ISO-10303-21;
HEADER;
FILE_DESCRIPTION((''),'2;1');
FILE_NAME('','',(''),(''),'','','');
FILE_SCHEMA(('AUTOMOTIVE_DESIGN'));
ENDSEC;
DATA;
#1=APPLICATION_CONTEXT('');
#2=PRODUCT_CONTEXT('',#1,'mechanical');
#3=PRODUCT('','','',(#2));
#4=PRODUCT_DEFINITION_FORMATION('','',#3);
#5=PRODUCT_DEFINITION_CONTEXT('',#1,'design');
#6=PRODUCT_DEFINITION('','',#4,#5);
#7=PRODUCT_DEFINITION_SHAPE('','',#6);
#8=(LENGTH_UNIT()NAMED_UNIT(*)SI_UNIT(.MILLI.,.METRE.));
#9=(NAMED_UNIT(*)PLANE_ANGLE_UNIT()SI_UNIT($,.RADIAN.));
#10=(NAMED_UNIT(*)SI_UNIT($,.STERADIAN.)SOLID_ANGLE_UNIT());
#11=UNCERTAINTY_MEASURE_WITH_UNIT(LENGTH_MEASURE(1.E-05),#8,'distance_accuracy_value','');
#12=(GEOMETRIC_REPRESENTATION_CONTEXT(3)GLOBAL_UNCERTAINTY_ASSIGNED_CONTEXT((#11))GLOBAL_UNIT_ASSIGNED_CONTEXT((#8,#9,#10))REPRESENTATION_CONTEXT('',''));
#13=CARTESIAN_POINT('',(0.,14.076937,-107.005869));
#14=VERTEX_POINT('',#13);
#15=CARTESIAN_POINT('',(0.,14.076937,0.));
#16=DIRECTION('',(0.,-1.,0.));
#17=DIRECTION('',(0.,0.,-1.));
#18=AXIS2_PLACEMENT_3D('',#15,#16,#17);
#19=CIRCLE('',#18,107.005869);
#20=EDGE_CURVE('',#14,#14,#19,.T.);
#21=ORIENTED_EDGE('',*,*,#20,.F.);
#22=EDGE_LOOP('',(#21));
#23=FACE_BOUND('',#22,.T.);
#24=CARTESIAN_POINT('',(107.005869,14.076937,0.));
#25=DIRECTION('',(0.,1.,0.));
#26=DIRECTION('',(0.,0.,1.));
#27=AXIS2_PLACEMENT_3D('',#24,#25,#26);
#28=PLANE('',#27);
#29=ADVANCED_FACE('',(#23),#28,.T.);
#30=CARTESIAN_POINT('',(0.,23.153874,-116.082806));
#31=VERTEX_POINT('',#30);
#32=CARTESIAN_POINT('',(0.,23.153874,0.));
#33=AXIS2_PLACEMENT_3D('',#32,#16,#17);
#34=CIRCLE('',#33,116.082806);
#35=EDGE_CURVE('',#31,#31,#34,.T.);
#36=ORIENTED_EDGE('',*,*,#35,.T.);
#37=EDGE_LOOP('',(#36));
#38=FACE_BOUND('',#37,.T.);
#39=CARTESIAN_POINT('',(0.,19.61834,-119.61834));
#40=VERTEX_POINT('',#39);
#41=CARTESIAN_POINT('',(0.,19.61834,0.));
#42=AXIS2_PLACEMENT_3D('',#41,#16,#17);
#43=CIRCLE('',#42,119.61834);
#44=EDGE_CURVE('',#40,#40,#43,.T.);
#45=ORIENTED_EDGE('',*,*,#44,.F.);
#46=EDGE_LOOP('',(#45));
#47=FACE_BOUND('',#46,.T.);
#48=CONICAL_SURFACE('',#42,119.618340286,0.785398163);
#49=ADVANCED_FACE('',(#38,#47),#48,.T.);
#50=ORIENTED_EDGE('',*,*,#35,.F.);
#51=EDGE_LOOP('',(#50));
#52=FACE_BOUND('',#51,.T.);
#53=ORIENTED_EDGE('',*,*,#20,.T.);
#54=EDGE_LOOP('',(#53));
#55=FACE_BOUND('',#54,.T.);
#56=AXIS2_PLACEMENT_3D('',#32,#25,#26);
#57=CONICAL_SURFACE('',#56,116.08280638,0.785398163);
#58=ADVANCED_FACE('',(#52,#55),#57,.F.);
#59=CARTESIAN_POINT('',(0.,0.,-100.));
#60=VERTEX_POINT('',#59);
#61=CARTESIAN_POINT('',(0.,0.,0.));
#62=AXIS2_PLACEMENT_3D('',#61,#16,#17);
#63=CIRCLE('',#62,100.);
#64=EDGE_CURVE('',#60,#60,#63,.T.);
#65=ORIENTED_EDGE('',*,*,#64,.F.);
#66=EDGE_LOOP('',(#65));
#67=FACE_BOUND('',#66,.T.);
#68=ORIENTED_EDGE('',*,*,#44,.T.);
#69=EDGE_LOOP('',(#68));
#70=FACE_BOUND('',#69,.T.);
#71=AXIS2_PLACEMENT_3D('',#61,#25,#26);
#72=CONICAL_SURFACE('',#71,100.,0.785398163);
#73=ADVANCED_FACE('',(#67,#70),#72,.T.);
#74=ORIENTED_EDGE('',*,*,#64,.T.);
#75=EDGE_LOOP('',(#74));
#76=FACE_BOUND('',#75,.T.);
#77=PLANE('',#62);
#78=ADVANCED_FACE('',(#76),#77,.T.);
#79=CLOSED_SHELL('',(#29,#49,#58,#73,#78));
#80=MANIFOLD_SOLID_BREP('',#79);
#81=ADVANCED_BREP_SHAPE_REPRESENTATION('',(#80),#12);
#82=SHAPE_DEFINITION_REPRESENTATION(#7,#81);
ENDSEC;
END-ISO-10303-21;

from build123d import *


with BuildPart() as part:
    # Sketch1 → Revolve1 (revolve)
    with BuildSketch(Plane.XY, mode=Mode.PRIVATE) as revolve1_sk:
        Polygon((0, 0), (100, 0), (119.618340286, 19.618340286), (116.08280638, 23.153874192), (107.005869284, 14.076937096), (0, 14.076937096), (0, 5), align=None)
    revolve(revolve1_sk.sketch.rotate(Axis((0, -54.675, 0), (0, 1, 0)), 90), axis=Axis((0, -54.675, 0), (0, 1, 0)))


solid = part.part
